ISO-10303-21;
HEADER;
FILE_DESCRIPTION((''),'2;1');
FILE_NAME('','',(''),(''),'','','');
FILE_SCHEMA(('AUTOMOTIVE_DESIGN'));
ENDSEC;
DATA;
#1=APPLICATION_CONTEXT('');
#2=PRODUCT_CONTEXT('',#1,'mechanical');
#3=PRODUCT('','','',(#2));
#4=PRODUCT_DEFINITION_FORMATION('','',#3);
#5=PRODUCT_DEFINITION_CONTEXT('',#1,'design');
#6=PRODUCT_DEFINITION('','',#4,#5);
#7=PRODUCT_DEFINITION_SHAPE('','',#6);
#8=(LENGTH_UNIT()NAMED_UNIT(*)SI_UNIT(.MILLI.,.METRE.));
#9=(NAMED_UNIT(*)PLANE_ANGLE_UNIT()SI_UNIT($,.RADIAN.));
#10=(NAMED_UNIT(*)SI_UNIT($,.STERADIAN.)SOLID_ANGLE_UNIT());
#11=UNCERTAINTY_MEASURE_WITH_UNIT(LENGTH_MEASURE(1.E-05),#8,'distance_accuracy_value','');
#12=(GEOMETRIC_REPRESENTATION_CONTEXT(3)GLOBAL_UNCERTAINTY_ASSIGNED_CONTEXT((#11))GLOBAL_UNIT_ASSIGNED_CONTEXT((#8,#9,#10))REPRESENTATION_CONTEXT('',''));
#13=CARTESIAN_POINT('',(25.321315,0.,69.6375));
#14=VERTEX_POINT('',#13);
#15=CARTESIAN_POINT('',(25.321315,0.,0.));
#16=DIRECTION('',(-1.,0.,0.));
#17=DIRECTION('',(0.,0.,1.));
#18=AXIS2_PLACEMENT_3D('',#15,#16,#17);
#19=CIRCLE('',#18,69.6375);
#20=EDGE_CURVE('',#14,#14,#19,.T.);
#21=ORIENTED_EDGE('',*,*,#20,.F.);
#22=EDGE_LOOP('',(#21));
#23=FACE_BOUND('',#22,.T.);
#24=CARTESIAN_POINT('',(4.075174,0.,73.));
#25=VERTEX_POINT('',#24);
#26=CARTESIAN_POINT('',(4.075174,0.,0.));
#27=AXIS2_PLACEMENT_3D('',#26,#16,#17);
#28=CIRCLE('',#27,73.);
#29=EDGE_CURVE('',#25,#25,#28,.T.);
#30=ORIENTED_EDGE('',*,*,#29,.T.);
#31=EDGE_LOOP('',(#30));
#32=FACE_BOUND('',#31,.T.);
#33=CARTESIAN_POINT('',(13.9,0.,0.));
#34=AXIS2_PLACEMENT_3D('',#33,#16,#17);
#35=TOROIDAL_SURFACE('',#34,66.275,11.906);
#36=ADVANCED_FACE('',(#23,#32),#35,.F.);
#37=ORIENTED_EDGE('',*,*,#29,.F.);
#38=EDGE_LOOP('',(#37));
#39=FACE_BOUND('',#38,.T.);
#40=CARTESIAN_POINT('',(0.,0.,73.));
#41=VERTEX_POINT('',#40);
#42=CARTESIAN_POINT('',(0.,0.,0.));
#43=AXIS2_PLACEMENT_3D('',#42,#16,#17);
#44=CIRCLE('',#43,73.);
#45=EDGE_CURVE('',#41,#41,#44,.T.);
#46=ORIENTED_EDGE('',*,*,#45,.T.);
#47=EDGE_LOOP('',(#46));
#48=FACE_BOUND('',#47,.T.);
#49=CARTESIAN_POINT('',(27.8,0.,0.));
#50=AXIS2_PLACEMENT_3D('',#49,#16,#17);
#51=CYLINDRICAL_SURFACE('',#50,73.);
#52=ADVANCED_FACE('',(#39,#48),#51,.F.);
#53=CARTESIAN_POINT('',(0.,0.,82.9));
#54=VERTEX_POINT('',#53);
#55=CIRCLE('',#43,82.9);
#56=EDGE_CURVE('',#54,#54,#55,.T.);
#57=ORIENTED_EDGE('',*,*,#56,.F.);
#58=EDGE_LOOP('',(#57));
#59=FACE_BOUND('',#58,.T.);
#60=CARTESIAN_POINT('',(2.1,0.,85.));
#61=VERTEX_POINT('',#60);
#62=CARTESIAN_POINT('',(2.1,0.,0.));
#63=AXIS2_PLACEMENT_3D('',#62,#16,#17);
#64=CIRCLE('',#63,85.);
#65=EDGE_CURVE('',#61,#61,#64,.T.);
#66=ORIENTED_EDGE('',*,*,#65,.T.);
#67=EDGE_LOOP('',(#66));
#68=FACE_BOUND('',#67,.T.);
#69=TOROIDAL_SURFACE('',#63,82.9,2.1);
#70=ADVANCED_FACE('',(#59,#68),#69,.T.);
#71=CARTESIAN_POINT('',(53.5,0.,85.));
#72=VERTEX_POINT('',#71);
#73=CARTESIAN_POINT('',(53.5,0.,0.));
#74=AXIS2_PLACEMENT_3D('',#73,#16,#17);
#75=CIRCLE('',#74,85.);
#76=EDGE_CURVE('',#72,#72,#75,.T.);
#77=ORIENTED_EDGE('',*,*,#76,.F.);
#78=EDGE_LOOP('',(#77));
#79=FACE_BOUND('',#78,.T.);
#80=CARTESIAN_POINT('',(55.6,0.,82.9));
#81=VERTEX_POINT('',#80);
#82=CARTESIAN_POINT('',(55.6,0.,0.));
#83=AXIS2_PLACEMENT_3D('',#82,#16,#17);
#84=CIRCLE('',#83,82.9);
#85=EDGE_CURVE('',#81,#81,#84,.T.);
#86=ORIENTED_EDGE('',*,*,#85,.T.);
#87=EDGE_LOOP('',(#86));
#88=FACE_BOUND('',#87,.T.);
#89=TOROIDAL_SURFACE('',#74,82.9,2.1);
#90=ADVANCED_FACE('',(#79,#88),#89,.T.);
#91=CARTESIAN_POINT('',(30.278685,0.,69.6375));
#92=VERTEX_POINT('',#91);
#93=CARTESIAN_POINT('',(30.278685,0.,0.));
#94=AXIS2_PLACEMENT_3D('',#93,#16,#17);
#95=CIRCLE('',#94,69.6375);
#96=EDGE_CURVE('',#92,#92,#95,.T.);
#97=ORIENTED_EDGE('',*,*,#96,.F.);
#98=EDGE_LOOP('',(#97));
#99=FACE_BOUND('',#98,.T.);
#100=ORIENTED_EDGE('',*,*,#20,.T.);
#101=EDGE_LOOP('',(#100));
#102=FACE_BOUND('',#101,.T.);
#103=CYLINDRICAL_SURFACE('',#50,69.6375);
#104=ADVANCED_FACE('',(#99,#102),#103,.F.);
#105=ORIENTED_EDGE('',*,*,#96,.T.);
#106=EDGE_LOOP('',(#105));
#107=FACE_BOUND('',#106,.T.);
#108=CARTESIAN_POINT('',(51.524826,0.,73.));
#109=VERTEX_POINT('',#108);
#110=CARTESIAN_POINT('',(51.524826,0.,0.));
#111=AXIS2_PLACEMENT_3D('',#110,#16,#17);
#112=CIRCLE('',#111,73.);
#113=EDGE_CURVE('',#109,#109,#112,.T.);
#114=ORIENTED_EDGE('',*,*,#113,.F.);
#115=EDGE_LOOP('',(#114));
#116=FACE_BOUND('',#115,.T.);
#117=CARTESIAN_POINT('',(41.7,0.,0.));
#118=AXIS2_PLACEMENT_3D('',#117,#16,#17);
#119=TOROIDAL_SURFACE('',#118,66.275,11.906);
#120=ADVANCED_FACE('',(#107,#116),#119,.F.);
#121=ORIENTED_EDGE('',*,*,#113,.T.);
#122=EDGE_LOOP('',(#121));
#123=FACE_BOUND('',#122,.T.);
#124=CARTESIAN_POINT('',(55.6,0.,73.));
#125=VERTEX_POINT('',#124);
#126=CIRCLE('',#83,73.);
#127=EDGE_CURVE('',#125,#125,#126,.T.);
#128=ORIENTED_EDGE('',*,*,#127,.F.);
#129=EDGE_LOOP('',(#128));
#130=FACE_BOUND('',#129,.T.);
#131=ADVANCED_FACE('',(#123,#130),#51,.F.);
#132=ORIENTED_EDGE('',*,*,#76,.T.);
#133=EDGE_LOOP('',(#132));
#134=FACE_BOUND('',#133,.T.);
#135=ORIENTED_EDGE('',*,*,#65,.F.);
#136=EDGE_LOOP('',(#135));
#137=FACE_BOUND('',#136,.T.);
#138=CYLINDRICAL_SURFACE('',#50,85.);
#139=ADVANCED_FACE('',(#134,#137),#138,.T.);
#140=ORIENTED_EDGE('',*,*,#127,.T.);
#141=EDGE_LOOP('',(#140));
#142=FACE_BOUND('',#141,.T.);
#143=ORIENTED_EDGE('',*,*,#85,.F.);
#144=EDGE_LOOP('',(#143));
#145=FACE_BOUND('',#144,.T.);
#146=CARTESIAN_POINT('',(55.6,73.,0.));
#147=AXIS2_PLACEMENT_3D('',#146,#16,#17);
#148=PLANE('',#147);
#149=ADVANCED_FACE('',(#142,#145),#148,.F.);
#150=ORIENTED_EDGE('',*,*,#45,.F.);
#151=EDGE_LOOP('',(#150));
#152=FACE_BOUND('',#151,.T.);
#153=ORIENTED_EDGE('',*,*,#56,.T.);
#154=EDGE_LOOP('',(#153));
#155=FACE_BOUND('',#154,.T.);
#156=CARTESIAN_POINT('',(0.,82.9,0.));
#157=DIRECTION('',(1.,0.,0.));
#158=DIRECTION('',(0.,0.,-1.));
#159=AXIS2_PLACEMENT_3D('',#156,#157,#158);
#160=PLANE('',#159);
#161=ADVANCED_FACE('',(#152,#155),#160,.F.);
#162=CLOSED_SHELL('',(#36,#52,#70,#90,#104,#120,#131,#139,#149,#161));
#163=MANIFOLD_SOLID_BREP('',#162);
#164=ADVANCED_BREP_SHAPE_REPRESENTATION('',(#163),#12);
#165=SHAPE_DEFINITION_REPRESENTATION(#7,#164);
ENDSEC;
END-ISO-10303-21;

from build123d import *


with BuildPart() as part:
    # Schizzo1 → Rivoluzione1 (revolve)
    with BuildSketch(Plane.XY, mode=Mode.PRIVATE) as rivoluzione1_sk:
        with BuildLine():
            Line((0, 82.9), (0, 73))
            Line((0, 73), (4.075173742, 73))
            ThreePointArc((4.075173742, 73), (15.761127456, 78.034636074), (25.321314712, 69.6375))
            Line((25.321314712, 69.6375), (30.278685288, 69.6375))
            ThreePointArc((30.278685288, 69.6375), (39.838872544, 78.034636074), (51.524826258, 73))
            Line((51.524826258, 73), (55.6, 73))
            Line((55.6, 73), (55.6, 82.9))
            ThreePointArc((55.6, 82.9), (54.98492424, 84.38492424), (53.5, 85))
            Line((53.5, 85), (2.1, 85))
            ThreePointArc((2.1, 85), (0.61507576, 84.38492424), (0, 82.9))
        make_face()
    revolve(rivoluzione1_sk.sketch.rotate(Axis((27.8, 0, 0), (-1, 0, 0)), 270), axis=Axis((27.8, 0, 0), (-1, 0, 0)))


solid = part.part
